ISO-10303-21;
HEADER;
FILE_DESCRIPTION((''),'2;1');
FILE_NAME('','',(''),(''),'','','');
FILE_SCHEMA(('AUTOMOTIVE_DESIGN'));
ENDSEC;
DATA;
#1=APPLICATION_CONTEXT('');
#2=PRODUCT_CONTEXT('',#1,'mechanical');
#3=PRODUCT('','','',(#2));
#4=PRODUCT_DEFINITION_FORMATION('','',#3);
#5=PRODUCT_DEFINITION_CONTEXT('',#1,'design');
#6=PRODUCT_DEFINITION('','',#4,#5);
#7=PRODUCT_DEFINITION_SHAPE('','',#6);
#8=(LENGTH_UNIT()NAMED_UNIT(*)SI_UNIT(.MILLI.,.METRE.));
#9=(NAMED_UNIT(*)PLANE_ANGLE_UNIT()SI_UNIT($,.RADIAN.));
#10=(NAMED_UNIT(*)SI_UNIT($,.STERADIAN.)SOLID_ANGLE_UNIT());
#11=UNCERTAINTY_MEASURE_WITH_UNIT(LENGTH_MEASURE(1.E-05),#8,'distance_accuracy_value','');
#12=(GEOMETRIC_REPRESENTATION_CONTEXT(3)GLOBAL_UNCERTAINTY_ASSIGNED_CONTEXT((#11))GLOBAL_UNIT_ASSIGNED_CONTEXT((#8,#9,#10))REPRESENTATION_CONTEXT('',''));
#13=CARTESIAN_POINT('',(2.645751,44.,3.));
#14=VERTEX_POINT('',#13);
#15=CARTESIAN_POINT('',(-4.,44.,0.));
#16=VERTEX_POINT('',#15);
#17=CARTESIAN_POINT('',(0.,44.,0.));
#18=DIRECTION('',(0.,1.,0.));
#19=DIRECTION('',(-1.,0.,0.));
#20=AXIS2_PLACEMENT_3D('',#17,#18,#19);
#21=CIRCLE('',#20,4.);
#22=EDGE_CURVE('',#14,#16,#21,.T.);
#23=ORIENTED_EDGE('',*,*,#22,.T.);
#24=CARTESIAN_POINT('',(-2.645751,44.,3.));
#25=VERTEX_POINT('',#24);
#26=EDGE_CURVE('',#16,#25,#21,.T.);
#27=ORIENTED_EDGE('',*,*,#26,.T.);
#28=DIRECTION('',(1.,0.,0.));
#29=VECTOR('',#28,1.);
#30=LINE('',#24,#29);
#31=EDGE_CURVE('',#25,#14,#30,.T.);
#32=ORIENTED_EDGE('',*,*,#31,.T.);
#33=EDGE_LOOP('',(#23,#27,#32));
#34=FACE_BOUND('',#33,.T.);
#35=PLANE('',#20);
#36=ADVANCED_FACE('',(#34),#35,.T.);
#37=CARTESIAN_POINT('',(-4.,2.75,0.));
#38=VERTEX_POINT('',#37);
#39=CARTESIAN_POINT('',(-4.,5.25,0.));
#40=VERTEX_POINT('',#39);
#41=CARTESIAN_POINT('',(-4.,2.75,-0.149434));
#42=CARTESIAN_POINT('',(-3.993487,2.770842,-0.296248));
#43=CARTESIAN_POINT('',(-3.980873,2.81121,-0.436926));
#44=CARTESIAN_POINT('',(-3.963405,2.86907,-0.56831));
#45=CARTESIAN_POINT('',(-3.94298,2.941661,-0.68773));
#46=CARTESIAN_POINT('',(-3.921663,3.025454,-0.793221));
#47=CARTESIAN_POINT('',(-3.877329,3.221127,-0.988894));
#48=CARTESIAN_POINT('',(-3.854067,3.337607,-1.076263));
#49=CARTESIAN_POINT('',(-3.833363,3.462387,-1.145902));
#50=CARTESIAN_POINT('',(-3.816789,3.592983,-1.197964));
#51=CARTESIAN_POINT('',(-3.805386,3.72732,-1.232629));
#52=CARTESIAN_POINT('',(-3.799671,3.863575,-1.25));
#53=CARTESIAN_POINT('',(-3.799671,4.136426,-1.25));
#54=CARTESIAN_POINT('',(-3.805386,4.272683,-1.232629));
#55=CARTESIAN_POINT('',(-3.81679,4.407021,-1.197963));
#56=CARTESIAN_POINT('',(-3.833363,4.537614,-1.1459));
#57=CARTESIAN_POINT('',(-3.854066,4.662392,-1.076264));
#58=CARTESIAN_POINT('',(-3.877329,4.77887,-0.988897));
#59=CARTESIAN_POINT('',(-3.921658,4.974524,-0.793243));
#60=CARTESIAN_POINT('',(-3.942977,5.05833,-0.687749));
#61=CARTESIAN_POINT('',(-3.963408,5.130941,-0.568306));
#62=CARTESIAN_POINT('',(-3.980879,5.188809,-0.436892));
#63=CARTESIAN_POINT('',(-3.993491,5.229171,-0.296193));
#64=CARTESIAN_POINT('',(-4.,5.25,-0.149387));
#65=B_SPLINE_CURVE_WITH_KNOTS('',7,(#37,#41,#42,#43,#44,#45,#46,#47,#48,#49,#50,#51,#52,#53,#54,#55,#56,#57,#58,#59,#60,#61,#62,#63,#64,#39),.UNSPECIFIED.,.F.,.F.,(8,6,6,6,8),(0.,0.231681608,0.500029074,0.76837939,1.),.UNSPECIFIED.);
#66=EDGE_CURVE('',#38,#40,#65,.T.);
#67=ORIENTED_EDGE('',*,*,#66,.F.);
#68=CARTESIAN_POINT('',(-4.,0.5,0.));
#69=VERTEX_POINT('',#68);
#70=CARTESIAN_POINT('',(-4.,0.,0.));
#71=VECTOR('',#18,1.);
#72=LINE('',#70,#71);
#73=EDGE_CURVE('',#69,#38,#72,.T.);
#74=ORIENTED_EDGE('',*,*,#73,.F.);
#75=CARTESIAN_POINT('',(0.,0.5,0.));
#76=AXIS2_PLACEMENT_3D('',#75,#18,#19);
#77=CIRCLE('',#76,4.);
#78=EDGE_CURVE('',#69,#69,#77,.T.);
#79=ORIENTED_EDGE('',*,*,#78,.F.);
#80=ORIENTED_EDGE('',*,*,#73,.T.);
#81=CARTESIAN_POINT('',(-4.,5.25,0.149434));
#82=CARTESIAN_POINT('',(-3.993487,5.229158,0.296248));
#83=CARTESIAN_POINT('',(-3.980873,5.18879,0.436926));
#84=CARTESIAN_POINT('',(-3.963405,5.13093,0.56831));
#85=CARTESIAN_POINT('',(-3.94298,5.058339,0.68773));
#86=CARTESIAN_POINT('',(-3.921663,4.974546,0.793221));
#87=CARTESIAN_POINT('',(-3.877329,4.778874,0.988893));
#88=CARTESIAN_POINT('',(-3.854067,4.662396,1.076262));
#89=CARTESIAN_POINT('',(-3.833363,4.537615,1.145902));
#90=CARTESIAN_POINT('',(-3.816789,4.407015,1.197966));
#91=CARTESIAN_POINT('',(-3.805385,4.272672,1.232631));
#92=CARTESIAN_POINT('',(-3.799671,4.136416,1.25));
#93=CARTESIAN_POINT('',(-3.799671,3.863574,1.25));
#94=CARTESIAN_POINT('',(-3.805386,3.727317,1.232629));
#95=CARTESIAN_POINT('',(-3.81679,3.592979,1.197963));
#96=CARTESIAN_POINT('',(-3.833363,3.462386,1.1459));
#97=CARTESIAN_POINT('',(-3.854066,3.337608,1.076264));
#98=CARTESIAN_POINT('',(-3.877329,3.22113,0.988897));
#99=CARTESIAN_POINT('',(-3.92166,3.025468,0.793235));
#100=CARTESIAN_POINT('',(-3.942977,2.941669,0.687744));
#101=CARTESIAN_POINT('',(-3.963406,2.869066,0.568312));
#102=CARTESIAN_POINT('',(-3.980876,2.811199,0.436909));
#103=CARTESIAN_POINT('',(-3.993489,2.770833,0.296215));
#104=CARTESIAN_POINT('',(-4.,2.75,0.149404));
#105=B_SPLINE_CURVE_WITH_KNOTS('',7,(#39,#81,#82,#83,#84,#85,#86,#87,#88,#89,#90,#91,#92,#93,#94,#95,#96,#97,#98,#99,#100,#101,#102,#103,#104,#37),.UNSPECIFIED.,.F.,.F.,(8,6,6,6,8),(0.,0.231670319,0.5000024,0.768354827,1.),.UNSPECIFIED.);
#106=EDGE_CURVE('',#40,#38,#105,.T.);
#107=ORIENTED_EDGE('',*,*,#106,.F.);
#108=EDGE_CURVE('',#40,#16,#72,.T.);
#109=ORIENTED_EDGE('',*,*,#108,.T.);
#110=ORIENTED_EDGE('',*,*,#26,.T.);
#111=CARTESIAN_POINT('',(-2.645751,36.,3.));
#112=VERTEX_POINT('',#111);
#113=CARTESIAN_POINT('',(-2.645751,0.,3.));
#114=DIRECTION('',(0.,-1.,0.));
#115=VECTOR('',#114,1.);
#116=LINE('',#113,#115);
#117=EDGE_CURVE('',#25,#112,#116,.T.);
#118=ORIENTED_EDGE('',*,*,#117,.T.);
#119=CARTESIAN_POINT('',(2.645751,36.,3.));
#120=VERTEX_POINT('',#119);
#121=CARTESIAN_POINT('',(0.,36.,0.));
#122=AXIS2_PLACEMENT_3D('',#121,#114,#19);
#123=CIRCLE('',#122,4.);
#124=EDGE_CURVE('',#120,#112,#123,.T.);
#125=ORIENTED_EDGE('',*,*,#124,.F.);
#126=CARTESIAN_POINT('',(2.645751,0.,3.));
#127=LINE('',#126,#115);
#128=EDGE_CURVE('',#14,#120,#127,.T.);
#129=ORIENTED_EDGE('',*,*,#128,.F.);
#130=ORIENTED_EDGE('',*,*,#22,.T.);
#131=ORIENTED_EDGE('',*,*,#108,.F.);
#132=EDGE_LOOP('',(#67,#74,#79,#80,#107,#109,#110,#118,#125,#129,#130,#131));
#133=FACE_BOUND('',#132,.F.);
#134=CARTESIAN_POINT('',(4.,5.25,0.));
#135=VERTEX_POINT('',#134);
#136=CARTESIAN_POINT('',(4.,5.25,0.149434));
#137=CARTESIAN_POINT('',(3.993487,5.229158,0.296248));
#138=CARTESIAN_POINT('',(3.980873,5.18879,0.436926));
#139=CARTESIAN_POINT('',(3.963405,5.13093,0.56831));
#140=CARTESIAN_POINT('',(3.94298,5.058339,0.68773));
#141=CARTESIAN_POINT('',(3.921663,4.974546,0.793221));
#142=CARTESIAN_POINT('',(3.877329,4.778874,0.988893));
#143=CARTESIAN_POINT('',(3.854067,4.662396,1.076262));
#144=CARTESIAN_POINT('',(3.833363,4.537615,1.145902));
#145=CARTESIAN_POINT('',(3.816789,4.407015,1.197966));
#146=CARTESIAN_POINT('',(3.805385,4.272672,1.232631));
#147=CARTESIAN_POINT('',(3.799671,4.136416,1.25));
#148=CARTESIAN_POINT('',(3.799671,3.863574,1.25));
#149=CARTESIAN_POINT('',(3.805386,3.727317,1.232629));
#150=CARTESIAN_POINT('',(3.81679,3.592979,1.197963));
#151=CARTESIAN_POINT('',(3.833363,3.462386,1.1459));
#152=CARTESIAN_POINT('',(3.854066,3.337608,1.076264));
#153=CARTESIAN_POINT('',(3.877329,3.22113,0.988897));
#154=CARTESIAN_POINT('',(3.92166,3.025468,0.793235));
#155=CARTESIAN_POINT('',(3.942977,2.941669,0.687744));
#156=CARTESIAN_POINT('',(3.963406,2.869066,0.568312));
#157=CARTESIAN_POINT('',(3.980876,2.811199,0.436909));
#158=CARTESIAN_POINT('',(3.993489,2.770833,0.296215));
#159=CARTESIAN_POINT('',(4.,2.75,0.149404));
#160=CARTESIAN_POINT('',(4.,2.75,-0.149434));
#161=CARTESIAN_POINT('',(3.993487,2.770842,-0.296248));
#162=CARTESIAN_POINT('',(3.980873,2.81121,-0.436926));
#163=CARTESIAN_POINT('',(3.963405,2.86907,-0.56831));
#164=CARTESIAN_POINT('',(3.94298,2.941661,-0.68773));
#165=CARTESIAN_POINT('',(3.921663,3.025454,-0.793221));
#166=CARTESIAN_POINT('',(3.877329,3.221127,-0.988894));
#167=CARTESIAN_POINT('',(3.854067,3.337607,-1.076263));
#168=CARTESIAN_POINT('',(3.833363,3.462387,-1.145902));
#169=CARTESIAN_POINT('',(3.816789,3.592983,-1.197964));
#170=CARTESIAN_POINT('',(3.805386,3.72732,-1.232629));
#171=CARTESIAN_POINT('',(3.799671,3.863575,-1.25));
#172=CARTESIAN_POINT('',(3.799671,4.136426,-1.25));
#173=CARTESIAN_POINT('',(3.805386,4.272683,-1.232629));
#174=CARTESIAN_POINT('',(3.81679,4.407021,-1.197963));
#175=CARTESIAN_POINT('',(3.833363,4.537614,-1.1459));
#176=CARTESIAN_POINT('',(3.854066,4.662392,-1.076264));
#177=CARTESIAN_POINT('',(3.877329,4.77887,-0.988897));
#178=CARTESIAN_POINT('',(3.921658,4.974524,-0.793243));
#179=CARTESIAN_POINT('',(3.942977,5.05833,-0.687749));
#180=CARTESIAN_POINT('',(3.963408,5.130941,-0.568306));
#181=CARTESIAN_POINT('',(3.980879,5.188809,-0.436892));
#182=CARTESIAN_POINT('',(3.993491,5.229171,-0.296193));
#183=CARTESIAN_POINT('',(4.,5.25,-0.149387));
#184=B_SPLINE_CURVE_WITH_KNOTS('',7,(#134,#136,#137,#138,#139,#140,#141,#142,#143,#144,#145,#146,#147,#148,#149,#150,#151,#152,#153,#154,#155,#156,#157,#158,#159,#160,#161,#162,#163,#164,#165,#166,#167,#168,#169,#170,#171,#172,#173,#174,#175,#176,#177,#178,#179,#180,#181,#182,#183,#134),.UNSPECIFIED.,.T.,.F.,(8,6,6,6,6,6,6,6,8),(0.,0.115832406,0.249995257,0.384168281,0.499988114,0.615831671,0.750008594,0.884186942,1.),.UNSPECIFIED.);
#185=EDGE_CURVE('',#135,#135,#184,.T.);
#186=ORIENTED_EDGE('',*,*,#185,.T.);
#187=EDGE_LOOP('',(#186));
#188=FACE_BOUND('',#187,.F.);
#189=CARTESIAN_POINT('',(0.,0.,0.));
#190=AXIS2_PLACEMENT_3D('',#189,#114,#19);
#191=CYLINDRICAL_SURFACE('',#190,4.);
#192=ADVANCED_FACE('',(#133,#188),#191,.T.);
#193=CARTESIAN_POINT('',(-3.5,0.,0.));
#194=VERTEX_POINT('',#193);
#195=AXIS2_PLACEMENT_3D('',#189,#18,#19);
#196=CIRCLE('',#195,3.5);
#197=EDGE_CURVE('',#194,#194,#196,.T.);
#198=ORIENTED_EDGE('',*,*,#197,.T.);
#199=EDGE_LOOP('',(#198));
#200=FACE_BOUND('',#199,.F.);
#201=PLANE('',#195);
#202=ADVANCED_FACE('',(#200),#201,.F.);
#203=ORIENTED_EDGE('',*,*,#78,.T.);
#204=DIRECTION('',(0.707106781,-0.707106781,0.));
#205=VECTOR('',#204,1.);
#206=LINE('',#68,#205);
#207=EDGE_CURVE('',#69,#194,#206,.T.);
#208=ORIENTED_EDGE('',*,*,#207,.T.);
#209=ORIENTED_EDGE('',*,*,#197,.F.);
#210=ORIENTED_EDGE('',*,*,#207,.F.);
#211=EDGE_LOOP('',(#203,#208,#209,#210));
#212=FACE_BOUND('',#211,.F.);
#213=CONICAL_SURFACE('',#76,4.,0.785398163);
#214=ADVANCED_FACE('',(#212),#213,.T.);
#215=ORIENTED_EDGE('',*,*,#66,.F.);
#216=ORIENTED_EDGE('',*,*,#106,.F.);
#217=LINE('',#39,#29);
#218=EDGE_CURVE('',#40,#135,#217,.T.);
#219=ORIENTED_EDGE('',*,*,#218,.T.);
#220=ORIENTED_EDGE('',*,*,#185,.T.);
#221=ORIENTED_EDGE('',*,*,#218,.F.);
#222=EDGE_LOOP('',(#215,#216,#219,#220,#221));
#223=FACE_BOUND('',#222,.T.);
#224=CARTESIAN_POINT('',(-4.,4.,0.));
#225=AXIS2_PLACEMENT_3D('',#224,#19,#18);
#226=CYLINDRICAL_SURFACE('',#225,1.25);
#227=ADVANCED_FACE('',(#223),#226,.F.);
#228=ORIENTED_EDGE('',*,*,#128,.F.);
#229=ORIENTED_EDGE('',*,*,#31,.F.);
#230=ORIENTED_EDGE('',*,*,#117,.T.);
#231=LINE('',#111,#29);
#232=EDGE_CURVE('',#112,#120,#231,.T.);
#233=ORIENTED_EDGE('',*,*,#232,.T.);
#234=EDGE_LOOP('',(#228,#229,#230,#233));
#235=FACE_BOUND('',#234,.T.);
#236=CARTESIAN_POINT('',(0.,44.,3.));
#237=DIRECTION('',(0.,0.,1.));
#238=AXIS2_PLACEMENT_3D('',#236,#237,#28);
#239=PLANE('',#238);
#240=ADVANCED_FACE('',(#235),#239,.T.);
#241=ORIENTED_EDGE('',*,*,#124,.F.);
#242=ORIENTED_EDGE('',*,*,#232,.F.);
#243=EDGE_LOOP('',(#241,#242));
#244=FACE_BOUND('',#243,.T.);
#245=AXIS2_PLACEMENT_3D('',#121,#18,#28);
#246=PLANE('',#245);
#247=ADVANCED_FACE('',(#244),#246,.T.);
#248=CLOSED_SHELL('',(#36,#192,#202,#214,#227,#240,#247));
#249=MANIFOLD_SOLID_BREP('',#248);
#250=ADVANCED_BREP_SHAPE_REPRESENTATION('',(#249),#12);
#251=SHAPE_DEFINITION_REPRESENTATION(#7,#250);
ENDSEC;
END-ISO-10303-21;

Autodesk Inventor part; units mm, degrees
ref_plane "XZ Plane" through (0, 0, 0) normal (0, 1, 0) x (-1, 0, 0)
ref_plane "XY Plane" through (0, 0, 0) normal (0, 0, 1) x (1, 0, 0)
sketch "Sketch2" plane through (0, 0, 0) normal (0, 1, 0) x (-1, 0, 0)
  circle A0 centre (0, 0) radius 4
  dimension "d9" = 8
extrude "Extrusion1" add sketch "Sketch2" along normal blind 44
chamfer "Chamfer1" distance 0.5 angle 45 1 edges at (4, 0, 0)
sketch "Sketch3" plane through (0, 44, 0) normal (0, 1, 0) x (1, 0, 0)
  line L0 (0, 0) -> (0, -3) construction
  line L1 (0, -3) -> (-4, -3)
  line L2 (0, -3) -> (4, -3)
  line L3 (4, -3) -> (4, -6)
  line L4 (4, -6) -> (-4, -6)
  line L5 (-4, -6) -> (-4, -3)
  dimension "d15" = 3
  dimension "d16" = 4
  dimension "d17" = 4
  dimension "d18" = 3
extrude "Extrusion2" cut sketch "Sketch3" against normal blind 8
ref_plane "Work Plane1" through (-4, 0, 0) normal (1, 0, 0) x (0, 1, 0)
sketch "Sketch4" plane through (-4, 0, 0) normal (1, 0, 0) x (0, 1, 0)
  line L0 (0.5, 4) -> (0.5, -4) construction
  line L1 (0.5, 0) -> (4, 0) construction
  circle A0 centre (4, 0) radius 1.25
  point P0 (0, 0)
  dimension "d23" = 2.5
  dimension "d24" = 3.5
extrude "Extrusion3" cut sketch "Sketch4" along normal through all
properties part number "reverse gear crankshaft outer rod"
